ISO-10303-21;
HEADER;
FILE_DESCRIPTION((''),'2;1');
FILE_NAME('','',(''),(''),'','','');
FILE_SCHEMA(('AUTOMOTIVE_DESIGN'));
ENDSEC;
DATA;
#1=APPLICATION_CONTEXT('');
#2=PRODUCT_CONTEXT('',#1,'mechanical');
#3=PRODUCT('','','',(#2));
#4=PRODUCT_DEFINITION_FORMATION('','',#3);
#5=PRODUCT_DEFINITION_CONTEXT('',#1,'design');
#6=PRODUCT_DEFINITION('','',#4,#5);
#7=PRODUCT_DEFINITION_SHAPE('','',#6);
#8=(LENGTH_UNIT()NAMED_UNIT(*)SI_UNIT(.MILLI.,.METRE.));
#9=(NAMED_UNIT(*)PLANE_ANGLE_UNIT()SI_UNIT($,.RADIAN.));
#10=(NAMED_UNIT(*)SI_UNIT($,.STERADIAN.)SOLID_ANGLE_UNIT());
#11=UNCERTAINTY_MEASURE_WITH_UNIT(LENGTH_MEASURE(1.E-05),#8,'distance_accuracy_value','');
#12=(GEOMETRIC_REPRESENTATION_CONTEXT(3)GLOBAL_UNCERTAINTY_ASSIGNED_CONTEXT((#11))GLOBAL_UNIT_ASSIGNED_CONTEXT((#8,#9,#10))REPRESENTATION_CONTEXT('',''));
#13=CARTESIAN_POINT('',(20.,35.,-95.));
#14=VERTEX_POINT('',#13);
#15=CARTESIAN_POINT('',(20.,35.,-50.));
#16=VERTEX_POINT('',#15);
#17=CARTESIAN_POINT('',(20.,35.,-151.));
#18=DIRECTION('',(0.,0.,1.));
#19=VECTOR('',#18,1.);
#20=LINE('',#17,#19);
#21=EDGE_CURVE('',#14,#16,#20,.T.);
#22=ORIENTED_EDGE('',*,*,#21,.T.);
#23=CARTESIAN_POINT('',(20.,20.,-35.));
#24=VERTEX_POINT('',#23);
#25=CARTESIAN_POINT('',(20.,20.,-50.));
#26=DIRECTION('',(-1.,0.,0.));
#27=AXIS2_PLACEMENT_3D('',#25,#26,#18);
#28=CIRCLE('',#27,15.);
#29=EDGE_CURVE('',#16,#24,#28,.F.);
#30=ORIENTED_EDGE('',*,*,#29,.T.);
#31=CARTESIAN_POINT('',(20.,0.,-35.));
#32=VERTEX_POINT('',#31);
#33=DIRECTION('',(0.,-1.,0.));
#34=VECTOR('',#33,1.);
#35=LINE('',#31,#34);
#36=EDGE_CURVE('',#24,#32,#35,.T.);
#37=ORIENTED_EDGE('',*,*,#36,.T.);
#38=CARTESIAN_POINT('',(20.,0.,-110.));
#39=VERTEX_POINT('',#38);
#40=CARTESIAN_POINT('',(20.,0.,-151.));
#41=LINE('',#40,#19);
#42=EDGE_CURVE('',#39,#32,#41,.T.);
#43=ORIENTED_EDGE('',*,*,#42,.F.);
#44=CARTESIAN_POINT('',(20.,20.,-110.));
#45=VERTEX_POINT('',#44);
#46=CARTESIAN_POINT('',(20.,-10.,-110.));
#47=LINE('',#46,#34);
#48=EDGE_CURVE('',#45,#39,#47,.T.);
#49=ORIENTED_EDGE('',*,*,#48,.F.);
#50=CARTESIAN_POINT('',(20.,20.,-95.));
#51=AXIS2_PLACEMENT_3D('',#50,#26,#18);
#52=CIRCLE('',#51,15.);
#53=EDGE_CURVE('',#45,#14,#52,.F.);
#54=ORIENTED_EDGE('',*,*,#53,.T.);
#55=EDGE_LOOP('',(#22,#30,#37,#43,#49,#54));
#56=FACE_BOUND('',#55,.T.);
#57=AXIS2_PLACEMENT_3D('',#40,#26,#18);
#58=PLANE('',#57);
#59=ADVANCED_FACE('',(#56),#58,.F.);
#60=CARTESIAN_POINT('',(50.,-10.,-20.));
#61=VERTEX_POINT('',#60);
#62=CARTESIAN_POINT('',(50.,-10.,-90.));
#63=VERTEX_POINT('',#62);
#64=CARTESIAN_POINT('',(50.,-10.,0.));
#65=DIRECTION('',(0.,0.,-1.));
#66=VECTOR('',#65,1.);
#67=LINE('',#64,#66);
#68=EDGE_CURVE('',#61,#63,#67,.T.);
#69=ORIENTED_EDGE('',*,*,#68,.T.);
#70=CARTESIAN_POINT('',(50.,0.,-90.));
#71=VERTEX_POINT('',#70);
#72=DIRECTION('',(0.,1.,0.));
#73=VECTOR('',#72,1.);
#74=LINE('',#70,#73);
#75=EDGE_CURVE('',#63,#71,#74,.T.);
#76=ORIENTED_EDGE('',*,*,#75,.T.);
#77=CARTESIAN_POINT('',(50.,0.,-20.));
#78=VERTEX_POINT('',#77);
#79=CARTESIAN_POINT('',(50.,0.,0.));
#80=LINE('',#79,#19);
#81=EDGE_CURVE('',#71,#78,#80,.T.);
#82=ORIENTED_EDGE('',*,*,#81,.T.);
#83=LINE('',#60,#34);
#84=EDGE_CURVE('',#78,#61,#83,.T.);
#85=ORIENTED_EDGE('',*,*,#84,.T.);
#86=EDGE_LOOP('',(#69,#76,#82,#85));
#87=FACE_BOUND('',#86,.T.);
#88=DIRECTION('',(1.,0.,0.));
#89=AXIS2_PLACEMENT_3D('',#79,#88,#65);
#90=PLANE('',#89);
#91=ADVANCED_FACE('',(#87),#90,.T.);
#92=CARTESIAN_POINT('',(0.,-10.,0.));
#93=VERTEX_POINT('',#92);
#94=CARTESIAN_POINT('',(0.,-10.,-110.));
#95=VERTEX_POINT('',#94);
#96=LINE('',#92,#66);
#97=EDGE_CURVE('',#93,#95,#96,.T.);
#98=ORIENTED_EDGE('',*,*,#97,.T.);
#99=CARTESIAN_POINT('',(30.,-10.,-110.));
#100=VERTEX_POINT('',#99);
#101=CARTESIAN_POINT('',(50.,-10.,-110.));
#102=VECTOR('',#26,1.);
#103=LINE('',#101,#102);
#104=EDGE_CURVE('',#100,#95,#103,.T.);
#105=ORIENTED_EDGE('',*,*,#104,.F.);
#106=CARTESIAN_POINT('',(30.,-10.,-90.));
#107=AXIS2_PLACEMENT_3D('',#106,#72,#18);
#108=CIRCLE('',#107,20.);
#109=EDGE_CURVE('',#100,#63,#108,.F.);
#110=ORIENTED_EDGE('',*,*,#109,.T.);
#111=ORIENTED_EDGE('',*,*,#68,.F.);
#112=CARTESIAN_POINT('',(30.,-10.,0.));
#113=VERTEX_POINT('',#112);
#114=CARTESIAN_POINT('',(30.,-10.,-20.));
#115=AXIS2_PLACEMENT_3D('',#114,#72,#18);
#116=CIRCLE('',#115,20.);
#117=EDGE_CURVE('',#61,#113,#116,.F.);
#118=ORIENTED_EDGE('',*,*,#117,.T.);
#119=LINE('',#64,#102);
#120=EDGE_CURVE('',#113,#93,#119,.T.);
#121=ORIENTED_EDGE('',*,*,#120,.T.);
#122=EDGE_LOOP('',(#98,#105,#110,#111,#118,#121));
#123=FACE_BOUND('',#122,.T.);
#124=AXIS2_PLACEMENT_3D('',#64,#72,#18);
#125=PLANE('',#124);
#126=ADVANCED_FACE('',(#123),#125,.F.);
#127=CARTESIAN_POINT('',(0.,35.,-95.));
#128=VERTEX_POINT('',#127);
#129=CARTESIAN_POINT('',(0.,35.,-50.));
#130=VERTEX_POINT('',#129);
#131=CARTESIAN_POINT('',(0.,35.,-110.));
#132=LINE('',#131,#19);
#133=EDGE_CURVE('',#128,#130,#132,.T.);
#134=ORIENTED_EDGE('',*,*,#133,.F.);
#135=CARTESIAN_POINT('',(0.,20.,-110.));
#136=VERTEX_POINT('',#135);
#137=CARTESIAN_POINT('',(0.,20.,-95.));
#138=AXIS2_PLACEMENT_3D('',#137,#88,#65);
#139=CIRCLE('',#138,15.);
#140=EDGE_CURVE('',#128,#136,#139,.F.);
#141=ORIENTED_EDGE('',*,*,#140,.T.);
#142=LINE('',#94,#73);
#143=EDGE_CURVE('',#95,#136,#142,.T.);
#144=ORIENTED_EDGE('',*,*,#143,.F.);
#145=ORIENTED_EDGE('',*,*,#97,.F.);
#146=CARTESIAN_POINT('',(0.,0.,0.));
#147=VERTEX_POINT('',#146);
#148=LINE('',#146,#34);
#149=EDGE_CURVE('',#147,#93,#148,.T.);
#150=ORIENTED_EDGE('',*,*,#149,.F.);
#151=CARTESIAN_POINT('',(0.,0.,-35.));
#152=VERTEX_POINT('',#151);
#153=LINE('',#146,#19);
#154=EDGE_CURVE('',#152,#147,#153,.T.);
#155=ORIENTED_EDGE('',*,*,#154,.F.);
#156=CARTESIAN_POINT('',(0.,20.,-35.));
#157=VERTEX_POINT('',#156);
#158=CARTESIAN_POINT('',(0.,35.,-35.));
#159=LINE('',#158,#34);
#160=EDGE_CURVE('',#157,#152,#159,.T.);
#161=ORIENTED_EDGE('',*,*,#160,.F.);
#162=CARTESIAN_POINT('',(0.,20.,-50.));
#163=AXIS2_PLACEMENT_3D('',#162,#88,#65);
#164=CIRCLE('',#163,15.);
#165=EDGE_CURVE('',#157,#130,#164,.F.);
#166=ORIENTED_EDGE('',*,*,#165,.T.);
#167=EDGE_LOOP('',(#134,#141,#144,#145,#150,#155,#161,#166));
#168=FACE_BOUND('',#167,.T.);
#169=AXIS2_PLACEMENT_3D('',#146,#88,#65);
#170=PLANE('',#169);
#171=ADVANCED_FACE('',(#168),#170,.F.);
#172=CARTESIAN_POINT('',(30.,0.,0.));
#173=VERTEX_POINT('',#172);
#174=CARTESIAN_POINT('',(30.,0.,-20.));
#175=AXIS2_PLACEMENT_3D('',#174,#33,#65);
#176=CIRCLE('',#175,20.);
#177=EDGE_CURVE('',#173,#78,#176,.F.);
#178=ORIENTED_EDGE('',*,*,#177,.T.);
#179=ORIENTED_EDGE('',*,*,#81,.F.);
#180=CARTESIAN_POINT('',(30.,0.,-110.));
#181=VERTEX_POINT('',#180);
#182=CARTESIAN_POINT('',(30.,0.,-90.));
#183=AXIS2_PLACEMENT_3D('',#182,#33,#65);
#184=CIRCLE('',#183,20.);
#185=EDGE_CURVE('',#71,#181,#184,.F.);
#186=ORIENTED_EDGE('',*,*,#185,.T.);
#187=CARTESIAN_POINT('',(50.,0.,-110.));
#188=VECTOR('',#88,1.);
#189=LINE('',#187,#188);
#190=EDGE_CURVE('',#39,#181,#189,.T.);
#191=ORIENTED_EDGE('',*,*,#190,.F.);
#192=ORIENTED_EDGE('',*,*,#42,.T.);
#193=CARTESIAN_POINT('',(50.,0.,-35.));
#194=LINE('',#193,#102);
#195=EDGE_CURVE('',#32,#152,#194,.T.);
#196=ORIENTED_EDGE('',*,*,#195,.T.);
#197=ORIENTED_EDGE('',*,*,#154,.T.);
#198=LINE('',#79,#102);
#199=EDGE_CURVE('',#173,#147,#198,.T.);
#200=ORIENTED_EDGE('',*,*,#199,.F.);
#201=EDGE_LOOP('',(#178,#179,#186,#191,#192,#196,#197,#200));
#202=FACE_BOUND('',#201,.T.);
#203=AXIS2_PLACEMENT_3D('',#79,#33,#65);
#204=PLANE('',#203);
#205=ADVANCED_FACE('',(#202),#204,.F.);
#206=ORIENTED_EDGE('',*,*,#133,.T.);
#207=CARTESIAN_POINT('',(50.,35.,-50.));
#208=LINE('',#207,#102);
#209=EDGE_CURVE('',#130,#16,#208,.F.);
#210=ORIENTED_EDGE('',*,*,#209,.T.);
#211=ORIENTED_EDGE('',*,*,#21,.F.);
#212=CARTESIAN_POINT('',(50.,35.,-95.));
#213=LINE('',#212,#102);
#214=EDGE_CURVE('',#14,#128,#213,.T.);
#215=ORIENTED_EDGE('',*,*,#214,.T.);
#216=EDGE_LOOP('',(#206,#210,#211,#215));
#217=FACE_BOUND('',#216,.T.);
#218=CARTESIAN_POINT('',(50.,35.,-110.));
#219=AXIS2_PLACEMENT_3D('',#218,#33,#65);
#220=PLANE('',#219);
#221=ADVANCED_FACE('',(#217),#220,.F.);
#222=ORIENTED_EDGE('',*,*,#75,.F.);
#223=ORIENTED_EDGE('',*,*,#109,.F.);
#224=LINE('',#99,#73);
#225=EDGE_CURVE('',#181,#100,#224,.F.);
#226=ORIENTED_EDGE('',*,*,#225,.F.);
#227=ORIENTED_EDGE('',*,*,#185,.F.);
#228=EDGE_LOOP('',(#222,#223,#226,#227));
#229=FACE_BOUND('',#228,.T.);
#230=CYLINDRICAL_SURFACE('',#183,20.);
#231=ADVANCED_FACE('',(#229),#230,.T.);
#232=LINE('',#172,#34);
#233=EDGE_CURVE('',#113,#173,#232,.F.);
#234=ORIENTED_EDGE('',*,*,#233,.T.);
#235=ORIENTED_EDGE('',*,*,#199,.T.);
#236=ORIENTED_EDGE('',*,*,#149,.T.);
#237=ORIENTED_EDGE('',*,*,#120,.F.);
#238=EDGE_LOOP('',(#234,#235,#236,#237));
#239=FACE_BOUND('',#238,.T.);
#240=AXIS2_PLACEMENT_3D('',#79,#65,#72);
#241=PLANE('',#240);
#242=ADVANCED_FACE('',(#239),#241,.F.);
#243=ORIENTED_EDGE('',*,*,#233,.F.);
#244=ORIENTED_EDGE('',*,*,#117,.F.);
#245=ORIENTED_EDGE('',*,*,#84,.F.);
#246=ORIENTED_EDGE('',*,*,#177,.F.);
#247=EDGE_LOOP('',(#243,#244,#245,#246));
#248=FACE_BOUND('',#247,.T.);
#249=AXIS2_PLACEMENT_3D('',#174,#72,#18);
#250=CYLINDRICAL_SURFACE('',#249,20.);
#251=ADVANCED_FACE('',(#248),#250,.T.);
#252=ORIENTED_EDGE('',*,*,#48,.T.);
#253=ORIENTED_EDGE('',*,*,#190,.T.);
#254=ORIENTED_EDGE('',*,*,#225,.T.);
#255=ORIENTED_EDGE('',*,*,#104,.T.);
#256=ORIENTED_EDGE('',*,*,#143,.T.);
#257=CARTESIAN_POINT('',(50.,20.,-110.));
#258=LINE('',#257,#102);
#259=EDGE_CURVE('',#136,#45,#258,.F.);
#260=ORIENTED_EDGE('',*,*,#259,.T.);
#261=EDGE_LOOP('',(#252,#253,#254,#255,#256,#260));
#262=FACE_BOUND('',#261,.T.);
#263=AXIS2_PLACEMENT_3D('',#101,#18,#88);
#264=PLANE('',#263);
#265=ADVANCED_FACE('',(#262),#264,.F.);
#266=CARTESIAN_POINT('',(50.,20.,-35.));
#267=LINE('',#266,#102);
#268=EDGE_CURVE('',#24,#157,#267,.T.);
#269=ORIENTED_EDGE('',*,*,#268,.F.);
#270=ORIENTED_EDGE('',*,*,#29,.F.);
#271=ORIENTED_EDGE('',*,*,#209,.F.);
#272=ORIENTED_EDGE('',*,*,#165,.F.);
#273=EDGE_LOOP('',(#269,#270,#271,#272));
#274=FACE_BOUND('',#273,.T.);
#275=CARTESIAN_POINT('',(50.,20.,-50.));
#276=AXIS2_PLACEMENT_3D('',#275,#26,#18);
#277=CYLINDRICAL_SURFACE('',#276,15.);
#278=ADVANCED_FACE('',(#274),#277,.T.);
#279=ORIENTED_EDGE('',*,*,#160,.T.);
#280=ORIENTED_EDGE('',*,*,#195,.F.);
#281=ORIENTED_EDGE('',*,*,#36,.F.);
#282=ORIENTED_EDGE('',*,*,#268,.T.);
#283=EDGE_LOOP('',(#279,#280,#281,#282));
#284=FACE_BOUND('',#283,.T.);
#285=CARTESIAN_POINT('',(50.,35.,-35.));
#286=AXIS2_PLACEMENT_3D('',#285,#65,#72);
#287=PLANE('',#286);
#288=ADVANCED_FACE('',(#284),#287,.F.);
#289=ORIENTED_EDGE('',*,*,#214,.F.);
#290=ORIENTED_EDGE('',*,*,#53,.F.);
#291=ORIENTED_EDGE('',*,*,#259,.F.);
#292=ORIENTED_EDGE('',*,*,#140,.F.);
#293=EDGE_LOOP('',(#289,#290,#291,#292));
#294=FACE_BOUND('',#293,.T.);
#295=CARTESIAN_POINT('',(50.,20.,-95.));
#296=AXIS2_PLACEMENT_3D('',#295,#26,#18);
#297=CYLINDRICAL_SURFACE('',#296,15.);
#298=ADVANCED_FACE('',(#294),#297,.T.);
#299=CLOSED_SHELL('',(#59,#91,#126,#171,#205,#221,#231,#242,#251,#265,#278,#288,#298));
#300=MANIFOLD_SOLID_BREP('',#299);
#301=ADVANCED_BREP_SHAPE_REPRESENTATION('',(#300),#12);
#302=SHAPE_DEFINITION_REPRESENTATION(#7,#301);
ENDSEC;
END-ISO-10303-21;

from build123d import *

# Parameters (mm, degrees)
EXTRUDE_1_DEPTH     = 50
SKETCH_2_W          = 30
SKETCH_2_H          = 35
CUT_EXTRUDE_1_DEPTH = 116
FILLET_1_R          = 15
FILLET_2_R          = 20


with BuildPart() as part:
    # 스케치1 → 보스-돌출1 (new body)
    with BuildSketch(Plane(origin=(0, 0, 0), x_dir=(0, 0, -1), z_dir=(1, 0, 0))):
        Polygon((0, 0), (35, 0), (35, 35), (110, 35), (110, -10), (0, -10), align=None)
    extrude(amount=EXTRUDE_1_DEPTH)

    # 스케치2 → 컷-돌출1 (cut)
    with BuildSketch(Plane.XY.offset(-35)):
        with Locations((35, 17.5)):
            Rectangle(SKETCH_2_W, SKETCH_2_H)
    extrude(amount=-CUT_EXTRUDE_1_DEPTH, mode=Mode.SUBTRACT)

    # 필렛1
    fillet_1_edges = [part.edges().sort_by_distance(p)[0] for p in [
        (10, 35, -35),
        (10, 35, -110),
    ]]
    fillet(fillet_1_edges, radius=FILLET_1_R)

    # 필렛2
    fillet_2_edges = [part.edges().sort_by_distance(p)[0] for p in [
        (50, -5, -110),
        (50, -5, 0),
    ]]
    fillet(fillet_2_edges, radius=FILLET_2_R)


solid = part.part
